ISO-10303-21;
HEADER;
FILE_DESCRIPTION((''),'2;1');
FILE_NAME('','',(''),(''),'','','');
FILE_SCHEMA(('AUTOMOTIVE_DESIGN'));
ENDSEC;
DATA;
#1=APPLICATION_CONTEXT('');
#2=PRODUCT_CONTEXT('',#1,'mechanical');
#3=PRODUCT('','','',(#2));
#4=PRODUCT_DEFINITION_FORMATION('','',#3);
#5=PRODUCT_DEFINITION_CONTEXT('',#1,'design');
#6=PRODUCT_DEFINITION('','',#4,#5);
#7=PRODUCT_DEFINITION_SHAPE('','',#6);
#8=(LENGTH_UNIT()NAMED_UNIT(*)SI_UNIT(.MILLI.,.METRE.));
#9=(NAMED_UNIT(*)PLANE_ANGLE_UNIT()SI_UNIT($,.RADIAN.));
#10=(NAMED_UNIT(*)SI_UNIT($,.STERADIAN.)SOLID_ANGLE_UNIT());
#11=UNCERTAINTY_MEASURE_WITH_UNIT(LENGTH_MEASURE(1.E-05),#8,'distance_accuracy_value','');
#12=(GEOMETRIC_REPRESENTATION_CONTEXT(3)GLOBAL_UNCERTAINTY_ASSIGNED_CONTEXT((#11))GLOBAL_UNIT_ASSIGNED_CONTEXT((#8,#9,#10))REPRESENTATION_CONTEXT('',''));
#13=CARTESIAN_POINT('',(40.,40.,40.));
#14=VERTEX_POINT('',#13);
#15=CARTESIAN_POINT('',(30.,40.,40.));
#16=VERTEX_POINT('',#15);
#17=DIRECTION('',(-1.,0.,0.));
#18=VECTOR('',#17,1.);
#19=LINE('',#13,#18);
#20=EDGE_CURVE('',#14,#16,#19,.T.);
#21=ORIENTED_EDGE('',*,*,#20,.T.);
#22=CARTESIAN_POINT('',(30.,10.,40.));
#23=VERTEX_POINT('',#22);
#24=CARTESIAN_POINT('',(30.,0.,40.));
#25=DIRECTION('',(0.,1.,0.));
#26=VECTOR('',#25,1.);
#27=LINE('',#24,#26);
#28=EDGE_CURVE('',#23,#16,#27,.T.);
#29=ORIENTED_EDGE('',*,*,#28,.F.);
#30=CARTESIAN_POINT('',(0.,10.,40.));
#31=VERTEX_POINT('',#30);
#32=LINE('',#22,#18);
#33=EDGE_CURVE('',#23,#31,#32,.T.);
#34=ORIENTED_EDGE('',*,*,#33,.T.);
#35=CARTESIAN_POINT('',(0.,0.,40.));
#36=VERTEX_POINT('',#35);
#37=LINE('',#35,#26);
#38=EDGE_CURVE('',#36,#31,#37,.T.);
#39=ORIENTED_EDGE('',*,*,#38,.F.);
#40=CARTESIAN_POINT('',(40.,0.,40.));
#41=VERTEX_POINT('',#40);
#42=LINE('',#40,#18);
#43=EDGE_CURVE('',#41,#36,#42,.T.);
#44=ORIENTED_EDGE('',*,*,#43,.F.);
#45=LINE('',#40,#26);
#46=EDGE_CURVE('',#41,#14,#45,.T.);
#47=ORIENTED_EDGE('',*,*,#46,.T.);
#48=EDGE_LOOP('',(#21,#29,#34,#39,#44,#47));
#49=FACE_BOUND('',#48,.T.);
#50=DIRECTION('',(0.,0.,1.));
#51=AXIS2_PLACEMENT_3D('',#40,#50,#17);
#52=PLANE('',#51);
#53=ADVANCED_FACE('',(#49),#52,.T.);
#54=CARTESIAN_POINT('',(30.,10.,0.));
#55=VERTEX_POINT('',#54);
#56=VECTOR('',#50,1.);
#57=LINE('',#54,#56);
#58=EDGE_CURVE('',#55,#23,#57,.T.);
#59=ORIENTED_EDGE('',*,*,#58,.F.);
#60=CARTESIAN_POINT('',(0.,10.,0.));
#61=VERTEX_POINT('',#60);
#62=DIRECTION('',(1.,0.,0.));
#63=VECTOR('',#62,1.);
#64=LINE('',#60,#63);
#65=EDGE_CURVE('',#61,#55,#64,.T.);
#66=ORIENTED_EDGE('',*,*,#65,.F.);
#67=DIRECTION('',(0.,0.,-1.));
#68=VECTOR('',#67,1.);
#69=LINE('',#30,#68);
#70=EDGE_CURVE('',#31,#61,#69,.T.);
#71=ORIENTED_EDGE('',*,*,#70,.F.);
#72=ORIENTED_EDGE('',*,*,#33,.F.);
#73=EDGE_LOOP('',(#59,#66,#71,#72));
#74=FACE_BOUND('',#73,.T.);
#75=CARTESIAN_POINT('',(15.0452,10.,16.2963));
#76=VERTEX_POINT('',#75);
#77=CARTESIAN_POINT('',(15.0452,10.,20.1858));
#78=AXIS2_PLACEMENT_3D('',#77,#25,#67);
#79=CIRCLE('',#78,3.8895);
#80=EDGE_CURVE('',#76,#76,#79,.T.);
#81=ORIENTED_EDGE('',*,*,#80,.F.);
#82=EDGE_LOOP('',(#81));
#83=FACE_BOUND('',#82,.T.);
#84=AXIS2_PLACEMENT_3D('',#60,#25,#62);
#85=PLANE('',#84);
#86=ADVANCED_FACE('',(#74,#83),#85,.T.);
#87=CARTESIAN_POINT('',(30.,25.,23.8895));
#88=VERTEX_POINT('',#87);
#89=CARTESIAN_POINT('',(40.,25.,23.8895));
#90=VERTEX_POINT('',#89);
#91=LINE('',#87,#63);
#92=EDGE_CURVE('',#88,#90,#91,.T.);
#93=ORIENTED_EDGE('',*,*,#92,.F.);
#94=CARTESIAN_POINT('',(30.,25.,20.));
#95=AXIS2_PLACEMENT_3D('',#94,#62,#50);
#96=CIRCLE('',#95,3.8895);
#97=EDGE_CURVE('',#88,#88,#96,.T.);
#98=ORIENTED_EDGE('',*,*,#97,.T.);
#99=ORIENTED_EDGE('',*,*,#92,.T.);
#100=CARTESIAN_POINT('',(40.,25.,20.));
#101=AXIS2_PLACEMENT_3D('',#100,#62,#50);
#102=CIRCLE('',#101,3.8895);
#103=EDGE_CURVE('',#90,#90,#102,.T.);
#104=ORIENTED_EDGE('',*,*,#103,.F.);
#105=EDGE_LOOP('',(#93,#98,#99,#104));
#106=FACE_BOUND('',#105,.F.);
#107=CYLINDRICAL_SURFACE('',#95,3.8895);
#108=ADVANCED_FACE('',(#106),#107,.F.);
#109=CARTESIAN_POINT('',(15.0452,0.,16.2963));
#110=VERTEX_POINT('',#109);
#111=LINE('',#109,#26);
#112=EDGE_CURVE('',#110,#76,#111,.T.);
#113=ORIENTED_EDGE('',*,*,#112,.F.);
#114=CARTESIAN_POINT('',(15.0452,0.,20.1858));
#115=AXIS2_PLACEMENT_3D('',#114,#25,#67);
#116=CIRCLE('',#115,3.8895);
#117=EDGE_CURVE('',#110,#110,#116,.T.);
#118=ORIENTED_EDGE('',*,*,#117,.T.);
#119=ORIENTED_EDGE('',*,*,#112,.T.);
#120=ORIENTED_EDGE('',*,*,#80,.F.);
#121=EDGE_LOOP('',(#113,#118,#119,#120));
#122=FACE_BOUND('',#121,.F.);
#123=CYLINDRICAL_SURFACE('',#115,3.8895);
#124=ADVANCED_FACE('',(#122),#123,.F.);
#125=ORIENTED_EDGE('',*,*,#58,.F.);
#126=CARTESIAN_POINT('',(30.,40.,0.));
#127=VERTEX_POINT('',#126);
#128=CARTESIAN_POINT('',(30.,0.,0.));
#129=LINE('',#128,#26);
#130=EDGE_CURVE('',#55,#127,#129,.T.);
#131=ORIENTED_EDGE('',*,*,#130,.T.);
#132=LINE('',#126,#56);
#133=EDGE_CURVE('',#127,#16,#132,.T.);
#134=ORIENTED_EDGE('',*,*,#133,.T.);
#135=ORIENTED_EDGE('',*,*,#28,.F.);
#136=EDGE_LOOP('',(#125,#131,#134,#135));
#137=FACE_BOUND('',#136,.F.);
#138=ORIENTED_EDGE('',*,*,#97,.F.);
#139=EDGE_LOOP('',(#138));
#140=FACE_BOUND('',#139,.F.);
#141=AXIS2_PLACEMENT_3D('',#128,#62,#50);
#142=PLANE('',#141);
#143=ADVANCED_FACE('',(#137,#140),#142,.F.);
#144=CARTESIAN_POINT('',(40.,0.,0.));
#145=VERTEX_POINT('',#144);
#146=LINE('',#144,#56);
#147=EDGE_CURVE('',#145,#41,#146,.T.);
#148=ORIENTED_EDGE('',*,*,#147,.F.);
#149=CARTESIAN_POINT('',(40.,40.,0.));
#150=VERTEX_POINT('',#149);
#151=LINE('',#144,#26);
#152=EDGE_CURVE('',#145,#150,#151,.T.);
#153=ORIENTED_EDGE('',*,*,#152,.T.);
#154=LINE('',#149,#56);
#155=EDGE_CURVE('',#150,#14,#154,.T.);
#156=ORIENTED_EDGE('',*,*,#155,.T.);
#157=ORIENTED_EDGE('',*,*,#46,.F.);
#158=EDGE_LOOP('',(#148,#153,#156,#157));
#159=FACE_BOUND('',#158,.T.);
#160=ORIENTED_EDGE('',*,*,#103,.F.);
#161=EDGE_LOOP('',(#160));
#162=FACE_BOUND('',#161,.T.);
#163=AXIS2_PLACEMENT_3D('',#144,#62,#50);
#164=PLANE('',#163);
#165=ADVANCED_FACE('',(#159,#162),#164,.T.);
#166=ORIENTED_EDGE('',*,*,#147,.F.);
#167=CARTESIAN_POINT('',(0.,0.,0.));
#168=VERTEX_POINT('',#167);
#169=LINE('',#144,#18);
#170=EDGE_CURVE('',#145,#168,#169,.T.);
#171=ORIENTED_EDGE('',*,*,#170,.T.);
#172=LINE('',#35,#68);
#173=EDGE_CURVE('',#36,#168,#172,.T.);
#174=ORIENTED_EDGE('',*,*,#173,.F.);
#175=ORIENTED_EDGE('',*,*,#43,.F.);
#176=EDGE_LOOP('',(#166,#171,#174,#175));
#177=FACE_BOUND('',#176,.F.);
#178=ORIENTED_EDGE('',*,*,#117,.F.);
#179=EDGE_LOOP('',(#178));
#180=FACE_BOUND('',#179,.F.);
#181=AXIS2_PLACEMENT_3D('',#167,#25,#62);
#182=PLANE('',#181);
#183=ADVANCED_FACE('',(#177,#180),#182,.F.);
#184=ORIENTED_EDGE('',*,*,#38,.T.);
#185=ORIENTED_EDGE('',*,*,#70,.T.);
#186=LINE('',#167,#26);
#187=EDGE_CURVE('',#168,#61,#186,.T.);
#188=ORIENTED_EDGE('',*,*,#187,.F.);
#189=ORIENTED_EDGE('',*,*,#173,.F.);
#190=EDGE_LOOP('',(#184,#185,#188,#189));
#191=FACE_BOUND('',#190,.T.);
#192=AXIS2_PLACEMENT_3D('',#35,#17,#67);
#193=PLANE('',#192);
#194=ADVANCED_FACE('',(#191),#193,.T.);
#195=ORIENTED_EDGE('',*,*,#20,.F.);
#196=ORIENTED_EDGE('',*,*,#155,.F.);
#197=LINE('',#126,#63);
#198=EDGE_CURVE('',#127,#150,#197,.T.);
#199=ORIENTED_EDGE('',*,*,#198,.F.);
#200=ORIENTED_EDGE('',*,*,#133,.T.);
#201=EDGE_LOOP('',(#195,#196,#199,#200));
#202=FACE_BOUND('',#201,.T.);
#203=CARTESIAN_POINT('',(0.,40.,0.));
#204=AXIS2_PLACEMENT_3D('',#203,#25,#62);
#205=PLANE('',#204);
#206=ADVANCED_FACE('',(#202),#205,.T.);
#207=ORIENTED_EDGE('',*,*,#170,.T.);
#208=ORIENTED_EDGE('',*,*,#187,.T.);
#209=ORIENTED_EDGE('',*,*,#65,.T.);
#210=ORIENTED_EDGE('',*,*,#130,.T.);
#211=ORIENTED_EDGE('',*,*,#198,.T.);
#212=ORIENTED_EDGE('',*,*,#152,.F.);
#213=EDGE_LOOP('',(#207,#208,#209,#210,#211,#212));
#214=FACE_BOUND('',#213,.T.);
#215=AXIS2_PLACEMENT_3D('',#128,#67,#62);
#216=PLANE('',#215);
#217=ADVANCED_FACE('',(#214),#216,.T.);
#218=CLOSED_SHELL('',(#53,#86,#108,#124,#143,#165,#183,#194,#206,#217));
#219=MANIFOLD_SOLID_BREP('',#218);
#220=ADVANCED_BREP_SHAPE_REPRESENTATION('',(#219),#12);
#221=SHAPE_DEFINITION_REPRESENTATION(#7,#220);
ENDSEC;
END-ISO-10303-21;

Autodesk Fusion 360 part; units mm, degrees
sketch "Eskiz1" plane through (0, 0, 0) normal (0, 1, 0) x (1, 0, 0)
  circle A0 centre (15, -20) radius 4.5
  line L0 (0, 0) -> (30, 0)
  line L1 (30, 0) -> (30, -40)
  line L2 (30, -40) -> (0, -40)
  line L3 (0, -40) -> (0, 0)
  line L4 (30, 0) -> (40, 0)
  line L5 (40, 0) -> (40, -40)
  line L6 (40, -40) -> (30, -40)
  line L7 (30, -40) -> (30, 0)
  dimension "d3" = 9
  dimension "d13" = 40
  dimension "d25" = 10
  dimension "d31" = 30
extrude "Ekstrüde Et9" add sketch "Eskiz1" along normal blind 10 contours A0 | L0 L1 L2 L3 L7
extrude "Ekstrüde Et10" add sketch "Eskiz1" along normal blind 40 contours L1 L4 L5 L6 L7
sketch "Eskiz4" plane through (30, 0, 0) normal (-1, 0, 0) x (0, 0, 1)
  line L0 (0, 10) -> (40, 10)
  line L1 (40, 10) -> (40, 40)
  line L2 (40, 40) -> (0, 40)
  line L3 (0, 40) -> (0, 10)
  circle A0 centre (20, 25) radius 4.5
  dimension "d36" = 9
  dimension "d37" = 15
hole "Delik1" at (15.0452, 0, 20.1858) direction (0, 1, 0) diameter 7.779 depth 18 tip angle 118
hole "Delik2" at (30, 25, 20) direction (1, 0, 0) diameter 7.779 depth 18 tip angle 118
